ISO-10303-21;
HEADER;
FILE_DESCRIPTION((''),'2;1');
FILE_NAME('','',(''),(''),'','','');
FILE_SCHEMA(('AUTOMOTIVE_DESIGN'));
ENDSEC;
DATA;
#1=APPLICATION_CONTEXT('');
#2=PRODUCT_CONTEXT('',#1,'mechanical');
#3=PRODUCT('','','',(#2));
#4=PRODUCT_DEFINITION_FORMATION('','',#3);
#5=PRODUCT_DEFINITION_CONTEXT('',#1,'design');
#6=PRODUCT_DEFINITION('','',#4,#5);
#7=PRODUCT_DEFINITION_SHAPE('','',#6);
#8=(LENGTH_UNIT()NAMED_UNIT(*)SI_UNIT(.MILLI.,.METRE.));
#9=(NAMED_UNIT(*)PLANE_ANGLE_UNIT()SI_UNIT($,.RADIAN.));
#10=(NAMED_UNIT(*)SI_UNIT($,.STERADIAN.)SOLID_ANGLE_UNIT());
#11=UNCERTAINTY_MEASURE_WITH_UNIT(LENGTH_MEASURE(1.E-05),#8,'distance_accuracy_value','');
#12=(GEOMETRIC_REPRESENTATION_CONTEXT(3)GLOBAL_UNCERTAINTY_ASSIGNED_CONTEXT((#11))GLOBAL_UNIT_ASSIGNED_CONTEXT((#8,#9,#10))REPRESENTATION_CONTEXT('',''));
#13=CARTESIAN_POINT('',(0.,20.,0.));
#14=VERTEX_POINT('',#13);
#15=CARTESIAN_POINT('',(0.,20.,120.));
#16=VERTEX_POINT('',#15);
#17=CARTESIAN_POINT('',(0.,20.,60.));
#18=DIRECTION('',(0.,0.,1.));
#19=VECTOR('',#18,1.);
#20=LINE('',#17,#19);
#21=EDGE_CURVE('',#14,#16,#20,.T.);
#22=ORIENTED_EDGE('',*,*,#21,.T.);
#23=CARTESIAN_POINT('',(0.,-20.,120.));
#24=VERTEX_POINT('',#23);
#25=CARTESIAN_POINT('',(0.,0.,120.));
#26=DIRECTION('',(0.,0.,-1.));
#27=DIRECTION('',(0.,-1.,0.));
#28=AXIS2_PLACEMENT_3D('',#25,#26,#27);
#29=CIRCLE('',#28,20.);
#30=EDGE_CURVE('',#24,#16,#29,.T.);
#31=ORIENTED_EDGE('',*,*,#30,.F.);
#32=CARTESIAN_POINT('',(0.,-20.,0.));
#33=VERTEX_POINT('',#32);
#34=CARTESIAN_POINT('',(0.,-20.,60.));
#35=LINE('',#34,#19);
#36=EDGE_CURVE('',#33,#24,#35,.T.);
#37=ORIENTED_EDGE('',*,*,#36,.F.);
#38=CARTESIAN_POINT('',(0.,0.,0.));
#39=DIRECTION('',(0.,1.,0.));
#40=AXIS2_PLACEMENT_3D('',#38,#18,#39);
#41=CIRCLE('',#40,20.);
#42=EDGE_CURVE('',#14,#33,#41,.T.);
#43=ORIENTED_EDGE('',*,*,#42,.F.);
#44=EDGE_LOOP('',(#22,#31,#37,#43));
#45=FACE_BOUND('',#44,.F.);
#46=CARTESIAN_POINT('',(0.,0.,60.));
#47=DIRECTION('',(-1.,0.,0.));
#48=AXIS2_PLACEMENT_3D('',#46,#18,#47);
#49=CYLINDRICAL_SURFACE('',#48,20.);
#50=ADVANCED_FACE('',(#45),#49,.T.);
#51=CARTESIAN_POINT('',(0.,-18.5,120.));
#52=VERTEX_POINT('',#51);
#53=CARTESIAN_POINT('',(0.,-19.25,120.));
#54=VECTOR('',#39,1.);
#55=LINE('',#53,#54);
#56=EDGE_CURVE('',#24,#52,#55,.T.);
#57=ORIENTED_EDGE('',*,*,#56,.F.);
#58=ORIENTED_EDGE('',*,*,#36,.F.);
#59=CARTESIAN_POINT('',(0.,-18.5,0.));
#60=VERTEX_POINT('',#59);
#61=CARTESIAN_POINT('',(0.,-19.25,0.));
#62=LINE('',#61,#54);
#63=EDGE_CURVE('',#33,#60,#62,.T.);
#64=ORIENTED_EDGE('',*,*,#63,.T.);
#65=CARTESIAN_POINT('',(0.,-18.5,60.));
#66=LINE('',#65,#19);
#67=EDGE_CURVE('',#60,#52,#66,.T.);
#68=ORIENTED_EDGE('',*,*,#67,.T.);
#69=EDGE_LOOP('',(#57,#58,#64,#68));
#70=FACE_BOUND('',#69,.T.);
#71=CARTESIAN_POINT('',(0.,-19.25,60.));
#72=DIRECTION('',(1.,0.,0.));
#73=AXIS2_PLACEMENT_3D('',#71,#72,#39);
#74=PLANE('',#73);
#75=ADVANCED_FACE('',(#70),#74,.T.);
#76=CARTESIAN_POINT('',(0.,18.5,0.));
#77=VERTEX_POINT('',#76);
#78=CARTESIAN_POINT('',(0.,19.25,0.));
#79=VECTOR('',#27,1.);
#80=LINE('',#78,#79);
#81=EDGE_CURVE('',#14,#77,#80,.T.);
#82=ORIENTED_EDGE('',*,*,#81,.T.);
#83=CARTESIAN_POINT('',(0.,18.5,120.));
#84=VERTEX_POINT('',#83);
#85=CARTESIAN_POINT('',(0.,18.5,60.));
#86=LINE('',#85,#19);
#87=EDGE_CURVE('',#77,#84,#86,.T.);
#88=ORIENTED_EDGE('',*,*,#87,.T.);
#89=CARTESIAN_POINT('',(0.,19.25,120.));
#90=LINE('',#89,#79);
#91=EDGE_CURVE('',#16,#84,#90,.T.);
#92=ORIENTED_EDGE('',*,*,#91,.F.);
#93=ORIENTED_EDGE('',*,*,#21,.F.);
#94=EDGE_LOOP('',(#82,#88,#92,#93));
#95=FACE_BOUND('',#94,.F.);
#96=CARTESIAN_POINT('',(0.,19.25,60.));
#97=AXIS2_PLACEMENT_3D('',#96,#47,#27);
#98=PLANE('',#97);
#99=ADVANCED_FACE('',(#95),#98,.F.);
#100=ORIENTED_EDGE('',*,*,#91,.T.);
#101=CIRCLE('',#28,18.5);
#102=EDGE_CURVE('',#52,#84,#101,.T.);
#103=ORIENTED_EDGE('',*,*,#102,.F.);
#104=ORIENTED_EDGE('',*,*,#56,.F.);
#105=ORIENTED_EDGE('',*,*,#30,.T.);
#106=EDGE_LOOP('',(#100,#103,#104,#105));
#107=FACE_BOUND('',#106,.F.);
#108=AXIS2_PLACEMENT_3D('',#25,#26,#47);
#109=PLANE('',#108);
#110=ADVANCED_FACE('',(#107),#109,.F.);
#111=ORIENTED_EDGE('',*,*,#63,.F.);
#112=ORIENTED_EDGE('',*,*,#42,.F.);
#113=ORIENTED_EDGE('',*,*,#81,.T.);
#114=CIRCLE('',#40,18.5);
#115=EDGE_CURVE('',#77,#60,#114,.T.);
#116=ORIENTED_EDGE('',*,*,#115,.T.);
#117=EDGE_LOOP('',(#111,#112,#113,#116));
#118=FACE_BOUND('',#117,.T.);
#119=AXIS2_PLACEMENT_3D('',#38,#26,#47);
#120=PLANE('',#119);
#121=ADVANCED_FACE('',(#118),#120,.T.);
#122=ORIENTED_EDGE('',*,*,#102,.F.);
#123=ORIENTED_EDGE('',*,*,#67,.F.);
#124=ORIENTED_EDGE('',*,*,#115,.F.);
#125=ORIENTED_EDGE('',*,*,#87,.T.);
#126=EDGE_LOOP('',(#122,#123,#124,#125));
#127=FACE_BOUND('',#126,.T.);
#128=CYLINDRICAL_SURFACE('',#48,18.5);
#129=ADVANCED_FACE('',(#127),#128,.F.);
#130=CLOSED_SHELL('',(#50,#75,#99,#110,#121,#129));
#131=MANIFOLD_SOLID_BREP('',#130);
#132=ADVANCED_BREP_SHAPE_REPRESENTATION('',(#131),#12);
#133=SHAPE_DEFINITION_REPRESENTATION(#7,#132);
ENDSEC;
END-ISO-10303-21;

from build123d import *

# Parameters (mm, degrees)
F0_W     = 1.5
F0_H     = 120
F1_ANGLE = 180


with BuildPart() as f1:
    # F0 (on Front) → F1 (revolve, symmetric)
    with BuildSketch(Plane.XZ) as f1_sk:
        with Locations((-19.25, 60)):
            Rectangle(F0_W, F0_H)
    revolve(axis=Axis((0, 0, 23.852983), (0, 0, 1)), revolution_arc=F1_ANGLE / 2)
    revolve(f1_sk.sketch, axis=Axis((0, 0, 23.852983), (0, 0, -1)), revolution_arc=F1_ANGLE / 2)


solid = f1.part
